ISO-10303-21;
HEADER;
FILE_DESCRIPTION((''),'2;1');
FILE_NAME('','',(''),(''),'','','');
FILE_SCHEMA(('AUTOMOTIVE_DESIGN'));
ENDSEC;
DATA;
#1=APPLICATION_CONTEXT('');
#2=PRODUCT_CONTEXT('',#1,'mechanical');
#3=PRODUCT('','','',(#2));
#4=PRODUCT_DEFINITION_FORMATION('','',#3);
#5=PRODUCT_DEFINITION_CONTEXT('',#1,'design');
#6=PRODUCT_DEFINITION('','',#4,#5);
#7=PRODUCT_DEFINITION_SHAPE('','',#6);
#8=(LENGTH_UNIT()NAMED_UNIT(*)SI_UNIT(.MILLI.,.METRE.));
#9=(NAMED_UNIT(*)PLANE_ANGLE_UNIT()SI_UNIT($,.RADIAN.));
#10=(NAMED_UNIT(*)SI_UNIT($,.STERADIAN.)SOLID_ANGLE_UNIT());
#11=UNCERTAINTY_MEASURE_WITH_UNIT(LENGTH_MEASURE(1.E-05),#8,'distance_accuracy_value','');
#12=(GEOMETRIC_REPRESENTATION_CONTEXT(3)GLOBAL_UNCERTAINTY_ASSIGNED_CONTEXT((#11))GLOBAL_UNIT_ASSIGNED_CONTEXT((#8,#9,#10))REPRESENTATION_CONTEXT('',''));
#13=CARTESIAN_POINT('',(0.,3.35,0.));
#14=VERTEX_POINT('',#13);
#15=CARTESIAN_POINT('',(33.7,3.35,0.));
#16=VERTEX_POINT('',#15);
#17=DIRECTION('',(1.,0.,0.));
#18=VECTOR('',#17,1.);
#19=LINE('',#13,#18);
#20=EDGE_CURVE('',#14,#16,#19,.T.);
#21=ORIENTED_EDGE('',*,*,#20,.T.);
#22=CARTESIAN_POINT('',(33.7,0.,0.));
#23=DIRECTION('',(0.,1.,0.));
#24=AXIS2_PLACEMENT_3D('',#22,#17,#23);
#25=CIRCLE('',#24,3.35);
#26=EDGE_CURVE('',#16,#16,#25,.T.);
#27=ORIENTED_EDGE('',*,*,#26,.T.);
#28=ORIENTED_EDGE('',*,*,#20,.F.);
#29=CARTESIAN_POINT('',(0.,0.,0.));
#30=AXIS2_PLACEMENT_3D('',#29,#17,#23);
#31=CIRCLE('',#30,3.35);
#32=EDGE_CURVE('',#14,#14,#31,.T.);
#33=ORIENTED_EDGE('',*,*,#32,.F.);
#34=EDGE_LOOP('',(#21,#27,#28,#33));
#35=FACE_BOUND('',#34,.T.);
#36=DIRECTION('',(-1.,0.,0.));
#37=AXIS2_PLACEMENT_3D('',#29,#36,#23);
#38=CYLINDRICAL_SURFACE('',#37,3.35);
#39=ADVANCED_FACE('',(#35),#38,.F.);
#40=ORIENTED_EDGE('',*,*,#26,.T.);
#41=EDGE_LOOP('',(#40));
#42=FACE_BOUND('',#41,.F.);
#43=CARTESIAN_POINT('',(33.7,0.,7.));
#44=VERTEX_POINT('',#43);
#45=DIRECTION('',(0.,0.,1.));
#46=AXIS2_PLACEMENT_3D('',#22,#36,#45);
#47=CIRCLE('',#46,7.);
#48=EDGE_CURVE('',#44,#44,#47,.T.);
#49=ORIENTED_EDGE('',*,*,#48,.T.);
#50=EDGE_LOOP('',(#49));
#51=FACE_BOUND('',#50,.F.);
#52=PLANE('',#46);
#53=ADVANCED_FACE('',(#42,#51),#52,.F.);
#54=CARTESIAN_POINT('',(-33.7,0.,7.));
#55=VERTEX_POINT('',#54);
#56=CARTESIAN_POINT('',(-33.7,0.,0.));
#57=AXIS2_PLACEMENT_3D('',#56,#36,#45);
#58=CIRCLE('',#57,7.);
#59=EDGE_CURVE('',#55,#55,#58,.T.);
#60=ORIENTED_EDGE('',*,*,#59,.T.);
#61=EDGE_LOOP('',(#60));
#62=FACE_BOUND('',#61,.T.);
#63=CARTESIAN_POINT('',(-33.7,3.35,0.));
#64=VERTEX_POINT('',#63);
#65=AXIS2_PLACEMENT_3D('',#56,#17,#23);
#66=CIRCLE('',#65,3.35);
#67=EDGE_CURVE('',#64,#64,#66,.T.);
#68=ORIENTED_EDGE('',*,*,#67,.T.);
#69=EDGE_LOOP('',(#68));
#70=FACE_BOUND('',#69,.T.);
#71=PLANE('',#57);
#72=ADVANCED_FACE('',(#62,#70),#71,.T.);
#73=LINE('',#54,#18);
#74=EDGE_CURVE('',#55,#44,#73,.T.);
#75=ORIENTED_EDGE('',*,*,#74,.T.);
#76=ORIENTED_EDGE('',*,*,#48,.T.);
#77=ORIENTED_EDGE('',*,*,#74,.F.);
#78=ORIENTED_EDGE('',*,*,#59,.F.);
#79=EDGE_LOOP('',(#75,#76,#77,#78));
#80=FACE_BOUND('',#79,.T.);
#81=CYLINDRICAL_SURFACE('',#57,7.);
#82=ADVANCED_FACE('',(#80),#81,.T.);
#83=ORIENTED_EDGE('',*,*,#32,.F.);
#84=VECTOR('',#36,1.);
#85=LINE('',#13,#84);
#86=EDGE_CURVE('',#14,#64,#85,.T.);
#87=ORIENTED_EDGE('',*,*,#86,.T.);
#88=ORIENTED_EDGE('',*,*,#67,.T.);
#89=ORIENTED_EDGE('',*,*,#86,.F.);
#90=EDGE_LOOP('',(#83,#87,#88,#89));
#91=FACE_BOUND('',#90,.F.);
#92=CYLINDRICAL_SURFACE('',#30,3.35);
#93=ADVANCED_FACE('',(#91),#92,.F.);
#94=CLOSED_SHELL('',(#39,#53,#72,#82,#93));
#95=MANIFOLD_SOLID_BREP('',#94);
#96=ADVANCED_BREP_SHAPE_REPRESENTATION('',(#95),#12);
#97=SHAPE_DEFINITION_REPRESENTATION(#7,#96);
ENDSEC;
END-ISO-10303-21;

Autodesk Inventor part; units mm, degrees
ref_plane "YZ Plane" through (0, 0, 0) normal (1, 0, 0) x (0, 1, 0)
ref_plane "XZ Plane" through (0, 0, 0) normal (0, 1, 0) x (-1, 0, 0)
ref_plane "XY Plane" through (0, 0, 0) normal (0, 0, 1) x (1, 0, 0)
sketch "Skizze1" plane through (0, 0, 0) normal (1, 0, 0) x (0, 1, 0)
  circle A0 centre (0, 0) radius 3.35
  circle A1 centre (0, 0) radius 5.5
  dimension "d0" = 6.7
  dimension "d1" = 11
extrude "Extrusion1" add sketch "Skizze1" along normal mid plane 67.4
sketch "Skizze2" plane through (0, 0, 0) normal (0, 1, 0) x (-1, 0, 0)
  line L0 (33.7, 5.5) -> (33.7, 3.35) projected
  line L1 (33.7, 3.35) -> (-33.7, 3.35) projected
  line L2 (-33.7, 3.35) -> (-33.7, 5.5) projected
  line L3 (-33.7, 5.5) -> (33.7, 5.5) projected
  line L4 (33.7, -3.35) -> (33.7, -5.5) projected
  line L5 (33.7, -5.5) -> (-33.7, -5.5) projected
  line L6 (-33.7, -5.5) -> (-33.7, -3.35) projected
  line L7 (-33.7, -3.35) -> (33.7, -3.35) projected
  line L8 (-50.7835, 0) -> (68.8013, 0) projected
  line L9 (33.7, 5.5) -> (25.7, 7)
  line L10 (25.7, 7) -> (25.7, 5.5)
  circle A0 centre (30.2177, 28.0276) radius 21.5 construction
  line L11 (30.2177, 28.0276) -> (30.2177, 6.5276) construction
  line L12 (33.7, 5.5) -> (34.7, 5.5) construction
  line L13 (34.7, 5.5) -> (34.7, 7) construction
  line L14 (34.7, 7) -> (42.7, 5.5) construction
  line L15 (42.7, 5.5) -> (34.7, 5.5) construction
  line L16 (34.7, 7) -> (25.7, 7) construction
  line L17 (25.7, 7) -> (24.2, 5.5)
  point P0 (0, 0)
  dimension "d4" = 43
  dimension "d6" = 1.5
  dimension "d16" = 8
  dimension "d17" = 8
  dimension "d18" = 9
  dimension "d20" = 45
feature "Spirale1" [suppressed]
mirror "Spiegeln1" [suppressed]
sketch "Skizze4" plane through (33.7, 0, 0) normal (1, 0, 0) x (0, 0, -1)
  circle A0 centre (0, 0) radius 6
  circle A1 centre (0, 0) radius 5.5 projected
  point P0 (0, 5.5)
  dimension "d21" = 12
extrude "Extrusion2" [suppressed]
sketch "Skizze5" plane through (0, 0, 0) normal (0, 1, 0) x (-1, 0, 0)
  line L0 (33.7, 3.35) -> (-33.7, 3.35) projected
  line L1 (-33.7, -3.35) -> (33.7, -3.35) projected
  circle A0 centre (21.2, 28.0581) radius 21.5
  line L2 (33.7, 5.5) -> (33.7, 3.35) projected
  line L3 (-33.7, 3.35) -> (-33.7, 5.5) projected
  line L4 (-33.7, 5.5) -> (33.7, 5.5) projected
  line L5 (33.7, -3.35) -> (33.7, -5.5) projected
  line L6 (33.7, -5.5) -> (-33.7, -5.5) projected
  line L7 (-33.7, -5.5) -> (-33.7, -3.35) projected
  point P0 (0, 0)
  dimension "d25" = 43
sketch "Skizze6" plane through (-33.7, 0, 0) normal (-1, 0, 0) x (0, 0, 1)
  circle A0 centre (0, 0) radius 5.5 projected
  circle A1 centre (0, 0) radius 7
  dimension "d26" = 14
extrude "Extrusion3" add sketch "Skizze6" against normal up to surface (67.4 mm away)
equation "\"d17\" = d16"
properties part number "Dribblerschnecke v4"
